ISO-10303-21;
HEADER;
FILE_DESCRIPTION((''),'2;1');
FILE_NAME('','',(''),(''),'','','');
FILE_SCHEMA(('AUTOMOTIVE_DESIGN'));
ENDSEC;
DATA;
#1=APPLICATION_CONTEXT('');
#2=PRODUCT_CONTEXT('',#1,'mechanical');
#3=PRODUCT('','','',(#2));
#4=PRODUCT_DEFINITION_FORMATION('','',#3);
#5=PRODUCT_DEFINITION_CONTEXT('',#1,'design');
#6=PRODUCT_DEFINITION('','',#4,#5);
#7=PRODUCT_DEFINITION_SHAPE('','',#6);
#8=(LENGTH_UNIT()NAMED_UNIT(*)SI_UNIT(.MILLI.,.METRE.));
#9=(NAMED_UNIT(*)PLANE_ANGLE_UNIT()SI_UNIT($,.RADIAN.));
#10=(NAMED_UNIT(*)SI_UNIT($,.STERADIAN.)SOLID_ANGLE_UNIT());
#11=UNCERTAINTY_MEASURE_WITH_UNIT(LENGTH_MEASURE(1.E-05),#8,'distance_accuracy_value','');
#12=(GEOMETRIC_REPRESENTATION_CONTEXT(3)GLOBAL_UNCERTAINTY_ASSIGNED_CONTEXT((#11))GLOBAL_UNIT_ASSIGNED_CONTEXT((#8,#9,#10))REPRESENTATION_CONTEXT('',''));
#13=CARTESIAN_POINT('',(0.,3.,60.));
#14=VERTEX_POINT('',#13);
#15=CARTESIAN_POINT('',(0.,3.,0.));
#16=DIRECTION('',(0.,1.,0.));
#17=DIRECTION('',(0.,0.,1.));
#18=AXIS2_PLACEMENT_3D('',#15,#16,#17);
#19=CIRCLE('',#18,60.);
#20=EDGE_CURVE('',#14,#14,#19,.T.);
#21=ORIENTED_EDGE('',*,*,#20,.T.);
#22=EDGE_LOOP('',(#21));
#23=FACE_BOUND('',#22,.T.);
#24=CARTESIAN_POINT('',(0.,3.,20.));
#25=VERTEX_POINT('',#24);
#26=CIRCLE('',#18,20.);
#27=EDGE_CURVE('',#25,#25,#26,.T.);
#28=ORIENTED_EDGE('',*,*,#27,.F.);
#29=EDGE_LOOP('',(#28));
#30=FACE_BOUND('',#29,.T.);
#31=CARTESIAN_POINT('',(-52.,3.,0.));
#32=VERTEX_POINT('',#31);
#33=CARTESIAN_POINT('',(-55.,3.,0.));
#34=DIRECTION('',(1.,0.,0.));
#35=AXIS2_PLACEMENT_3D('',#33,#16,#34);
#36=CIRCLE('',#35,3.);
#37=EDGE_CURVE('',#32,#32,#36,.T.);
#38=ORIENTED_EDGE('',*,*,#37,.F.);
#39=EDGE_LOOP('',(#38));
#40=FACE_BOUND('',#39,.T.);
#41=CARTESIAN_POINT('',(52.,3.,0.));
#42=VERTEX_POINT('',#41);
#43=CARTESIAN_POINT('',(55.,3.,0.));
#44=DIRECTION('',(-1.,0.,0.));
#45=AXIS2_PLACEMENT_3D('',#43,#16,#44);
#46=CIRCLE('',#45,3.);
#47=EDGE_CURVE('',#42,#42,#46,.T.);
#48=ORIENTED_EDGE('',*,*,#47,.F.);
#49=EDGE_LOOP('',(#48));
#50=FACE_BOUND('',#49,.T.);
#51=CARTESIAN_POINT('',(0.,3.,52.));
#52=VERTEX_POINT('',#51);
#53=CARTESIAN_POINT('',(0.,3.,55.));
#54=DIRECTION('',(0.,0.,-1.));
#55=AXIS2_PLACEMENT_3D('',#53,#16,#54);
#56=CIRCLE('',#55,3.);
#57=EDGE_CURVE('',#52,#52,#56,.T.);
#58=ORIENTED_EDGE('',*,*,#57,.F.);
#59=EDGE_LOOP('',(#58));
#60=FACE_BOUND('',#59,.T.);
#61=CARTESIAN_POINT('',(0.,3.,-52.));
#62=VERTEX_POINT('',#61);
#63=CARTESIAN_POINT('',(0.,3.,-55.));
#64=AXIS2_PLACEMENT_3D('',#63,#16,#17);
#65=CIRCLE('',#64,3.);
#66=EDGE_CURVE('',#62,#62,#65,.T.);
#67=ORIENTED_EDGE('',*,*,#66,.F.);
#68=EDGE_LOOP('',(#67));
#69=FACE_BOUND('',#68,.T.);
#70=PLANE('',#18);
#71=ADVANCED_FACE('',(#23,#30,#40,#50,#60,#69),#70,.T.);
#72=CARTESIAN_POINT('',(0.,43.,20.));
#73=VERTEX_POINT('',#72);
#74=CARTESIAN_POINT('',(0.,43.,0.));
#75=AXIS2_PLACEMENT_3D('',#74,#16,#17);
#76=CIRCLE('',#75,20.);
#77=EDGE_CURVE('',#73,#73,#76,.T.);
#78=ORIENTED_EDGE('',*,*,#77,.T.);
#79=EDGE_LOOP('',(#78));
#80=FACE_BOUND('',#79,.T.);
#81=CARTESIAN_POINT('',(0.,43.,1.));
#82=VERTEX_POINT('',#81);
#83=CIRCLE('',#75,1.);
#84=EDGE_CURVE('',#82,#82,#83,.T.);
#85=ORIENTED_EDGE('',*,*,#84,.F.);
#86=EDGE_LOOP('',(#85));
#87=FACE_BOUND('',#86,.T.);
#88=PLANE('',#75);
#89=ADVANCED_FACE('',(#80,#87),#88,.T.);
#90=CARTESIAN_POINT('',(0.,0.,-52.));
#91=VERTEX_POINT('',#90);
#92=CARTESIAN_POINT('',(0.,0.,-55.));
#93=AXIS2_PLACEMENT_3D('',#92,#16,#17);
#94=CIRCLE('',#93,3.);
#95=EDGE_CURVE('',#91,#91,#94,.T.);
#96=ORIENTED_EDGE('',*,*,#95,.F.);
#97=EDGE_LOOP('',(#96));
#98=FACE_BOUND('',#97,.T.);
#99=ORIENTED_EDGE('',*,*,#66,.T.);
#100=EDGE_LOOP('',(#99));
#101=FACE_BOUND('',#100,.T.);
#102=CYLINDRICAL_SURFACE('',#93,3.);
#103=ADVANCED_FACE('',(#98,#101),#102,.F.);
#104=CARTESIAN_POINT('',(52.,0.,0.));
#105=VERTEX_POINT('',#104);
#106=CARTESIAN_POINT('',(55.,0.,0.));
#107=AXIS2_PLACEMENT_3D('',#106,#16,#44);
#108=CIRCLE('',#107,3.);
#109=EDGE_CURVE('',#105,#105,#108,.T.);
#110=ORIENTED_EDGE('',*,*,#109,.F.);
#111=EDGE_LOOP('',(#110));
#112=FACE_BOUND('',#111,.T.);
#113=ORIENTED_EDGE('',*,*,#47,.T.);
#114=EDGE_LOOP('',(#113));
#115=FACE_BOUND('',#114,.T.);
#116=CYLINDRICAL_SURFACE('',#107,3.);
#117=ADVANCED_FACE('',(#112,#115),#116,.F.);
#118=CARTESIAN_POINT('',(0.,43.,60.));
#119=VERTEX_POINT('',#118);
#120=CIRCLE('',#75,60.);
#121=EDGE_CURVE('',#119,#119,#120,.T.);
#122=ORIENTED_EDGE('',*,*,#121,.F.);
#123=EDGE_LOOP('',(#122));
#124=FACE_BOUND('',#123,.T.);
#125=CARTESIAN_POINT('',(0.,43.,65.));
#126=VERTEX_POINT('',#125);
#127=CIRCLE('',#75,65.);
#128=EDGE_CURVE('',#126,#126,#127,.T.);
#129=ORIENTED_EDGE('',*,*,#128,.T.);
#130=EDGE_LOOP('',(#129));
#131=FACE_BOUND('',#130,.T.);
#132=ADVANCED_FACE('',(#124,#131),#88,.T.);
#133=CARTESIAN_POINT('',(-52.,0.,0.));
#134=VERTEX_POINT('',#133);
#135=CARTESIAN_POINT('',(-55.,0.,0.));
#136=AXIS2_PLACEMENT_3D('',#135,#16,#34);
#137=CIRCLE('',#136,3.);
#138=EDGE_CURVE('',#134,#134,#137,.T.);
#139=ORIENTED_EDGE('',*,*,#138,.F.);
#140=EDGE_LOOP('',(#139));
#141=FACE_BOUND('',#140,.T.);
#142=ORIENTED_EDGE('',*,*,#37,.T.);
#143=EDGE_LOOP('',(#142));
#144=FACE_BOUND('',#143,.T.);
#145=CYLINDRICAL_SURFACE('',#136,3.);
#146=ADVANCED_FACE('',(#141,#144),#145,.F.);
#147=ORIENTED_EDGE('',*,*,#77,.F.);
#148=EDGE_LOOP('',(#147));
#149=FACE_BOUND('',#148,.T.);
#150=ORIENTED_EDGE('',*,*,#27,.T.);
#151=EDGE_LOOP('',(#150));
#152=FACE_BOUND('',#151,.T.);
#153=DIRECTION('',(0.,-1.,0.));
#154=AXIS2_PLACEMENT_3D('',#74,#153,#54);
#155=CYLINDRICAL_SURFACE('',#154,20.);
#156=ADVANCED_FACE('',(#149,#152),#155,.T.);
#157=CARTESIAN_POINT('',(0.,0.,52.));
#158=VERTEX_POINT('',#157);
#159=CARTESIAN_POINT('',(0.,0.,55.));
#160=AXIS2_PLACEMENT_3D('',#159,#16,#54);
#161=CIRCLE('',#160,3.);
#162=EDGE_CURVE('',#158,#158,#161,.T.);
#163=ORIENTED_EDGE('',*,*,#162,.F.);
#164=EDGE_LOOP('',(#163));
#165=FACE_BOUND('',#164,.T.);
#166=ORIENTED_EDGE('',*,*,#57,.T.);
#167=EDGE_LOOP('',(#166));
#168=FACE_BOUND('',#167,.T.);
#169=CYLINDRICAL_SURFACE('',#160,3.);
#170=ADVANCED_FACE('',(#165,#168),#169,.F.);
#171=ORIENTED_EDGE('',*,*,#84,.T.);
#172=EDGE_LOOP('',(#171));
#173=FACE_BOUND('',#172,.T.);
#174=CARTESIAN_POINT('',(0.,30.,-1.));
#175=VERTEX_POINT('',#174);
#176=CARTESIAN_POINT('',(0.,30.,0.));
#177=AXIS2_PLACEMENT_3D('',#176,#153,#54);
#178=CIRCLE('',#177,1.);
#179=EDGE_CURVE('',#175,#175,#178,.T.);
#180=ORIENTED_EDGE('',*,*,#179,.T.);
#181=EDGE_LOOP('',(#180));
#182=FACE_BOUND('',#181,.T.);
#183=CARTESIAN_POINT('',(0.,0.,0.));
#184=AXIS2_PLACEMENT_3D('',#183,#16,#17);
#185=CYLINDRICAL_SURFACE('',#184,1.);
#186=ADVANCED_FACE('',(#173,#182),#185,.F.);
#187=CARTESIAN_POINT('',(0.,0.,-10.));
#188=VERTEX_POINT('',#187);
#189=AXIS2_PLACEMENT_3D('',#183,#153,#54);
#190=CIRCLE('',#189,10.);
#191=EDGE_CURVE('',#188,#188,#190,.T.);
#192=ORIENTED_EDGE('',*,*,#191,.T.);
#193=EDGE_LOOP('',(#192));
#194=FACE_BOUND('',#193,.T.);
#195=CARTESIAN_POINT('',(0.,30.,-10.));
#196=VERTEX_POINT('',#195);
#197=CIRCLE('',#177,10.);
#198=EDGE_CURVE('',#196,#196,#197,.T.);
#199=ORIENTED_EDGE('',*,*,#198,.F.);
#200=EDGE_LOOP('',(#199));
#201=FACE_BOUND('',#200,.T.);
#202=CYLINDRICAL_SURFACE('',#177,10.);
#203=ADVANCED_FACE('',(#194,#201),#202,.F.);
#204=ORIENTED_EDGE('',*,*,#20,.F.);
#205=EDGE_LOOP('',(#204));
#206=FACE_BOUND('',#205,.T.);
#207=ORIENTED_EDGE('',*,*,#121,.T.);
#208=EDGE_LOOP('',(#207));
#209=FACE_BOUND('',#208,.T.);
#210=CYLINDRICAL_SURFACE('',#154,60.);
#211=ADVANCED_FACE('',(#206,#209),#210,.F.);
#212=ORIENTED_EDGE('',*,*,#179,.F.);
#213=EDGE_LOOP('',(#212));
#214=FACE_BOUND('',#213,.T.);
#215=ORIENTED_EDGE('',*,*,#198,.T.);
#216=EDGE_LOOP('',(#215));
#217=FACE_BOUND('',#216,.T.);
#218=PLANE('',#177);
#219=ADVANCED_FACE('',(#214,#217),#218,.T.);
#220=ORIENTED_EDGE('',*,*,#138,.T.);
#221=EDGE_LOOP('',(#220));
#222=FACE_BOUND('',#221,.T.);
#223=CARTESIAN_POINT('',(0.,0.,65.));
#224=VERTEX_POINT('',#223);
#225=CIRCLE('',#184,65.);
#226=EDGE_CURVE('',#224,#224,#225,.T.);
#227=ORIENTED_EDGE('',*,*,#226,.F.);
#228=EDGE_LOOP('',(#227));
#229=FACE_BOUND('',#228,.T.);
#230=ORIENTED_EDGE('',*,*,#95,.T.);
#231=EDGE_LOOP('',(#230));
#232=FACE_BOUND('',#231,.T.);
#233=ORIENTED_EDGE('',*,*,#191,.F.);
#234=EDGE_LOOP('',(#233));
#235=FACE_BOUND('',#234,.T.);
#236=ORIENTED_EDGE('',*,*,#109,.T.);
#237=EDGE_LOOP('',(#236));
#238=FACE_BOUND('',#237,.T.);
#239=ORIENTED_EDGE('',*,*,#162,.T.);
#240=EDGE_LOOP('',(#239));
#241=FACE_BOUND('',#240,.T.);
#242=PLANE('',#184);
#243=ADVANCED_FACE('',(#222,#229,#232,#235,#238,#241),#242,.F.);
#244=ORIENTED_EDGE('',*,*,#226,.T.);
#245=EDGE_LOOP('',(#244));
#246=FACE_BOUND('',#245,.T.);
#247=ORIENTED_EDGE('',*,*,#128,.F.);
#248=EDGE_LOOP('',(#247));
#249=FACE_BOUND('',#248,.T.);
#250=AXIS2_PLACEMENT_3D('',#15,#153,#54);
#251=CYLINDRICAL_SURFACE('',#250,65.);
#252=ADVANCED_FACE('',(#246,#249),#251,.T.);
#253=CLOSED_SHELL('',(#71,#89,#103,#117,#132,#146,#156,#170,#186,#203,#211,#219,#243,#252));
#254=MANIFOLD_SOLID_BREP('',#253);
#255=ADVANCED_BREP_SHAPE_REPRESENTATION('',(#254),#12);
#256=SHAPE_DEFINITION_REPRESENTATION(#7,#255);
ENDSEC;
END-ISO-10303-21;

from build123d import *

# Parameters (mm, degrees)
SKETCH1_R           = 65
BOSS_EXTRUDE1_DEPTH = 3
SKETCH2_R           = 3
CUT_EXTRUDE1_DEPTH  = 4
CIRPATTERN1_COUNT   = 4
SKETCH3_R           = 65
SKETCH3_R_2         = 60
BOSS_EXTRUDE2_DEPTH = 40
SKETCH4_R           = 20
BOSS_EXTRUDE3_DEPTH = 40
SKETCH5_R           = 10
CUT_EXTRUDE2_DEPTH  = 30
SKETCH6_R           = 1
CUT_EXTRUDE3_DEPTH  = 44


with BuildPart() as part:
    # Sketch1 → Boss-Extrude1 (new body)
    with BuildSketch(Plane(origin=(0, 0, 0), x_dir=(1, 0, 0), z_dir=(0, 1, 0))):
        Circle(SKETCH1_R)
    extrude(amount=BOSS_EXTRUDE1_DEPTH)

    # Sketch2 → Cut-Extrude1 (cut, through all)
    with BuildSketch(Plane(origin=(0, 3, 0), x_dir=(1, 0, 0), z_dir=(0, 1, 0))):
        with Locations((0, 55)):
            Circle(SKETCH2_R)
    cut_extrude1 = extrude(amount=-CUT_EXTRUDE1_DEPTH, mode=Mode.SUBTRACT)

    # CirPattern1: Cut-Extrude1 ×4 about axis
    cirpattern1_axis = Axis((0, 0, 0), (0, 1, 0))
    for i in range(1, CIRPATTERN1_COUNT):
        add(cut_extrude1.rotate(cirpattern1_axis, i * 360 / CIRPATTERN1_COUNT), mode=Mode.SUBTRACT)

    # Sketch3 → Boss-Extrude2 (add)
    with BuildSketch(Plane(origin=(0, 3, 0), x_dir=(1, 0, 0), z_dir=(0, 1, 0))):
        Circle(SKETCH3_R)
        Circle(SKETCH3_R_2, mode=Mode.SUBTRACT)
    extrude(amount=BOSS_EXTRUDE2_DEPTH)

    # Sketch4 → Boss-Extrude3 (add)
    with BuildSketch(Plane(origin=(0, 3, 0), x_dir=(1, 0, 0), z_dir=(0, 1, 0))):
        Circle(SKETCH4_R)
    extrude(amount=BOSS_EXTRUDE3_DEPTH)

    # Sketch5 → Cut-Extrude2 (cut)
    with BuildSketch(Plane.XZ):
        Circle(SKETCH5_R)
    extrude(amount=-CUT_EXTRUDE2_DEPTH, mode=Mode.SUBTRACT)

    # Sketch6 → Cut-Extrude3 (cut, through all)
    with BuildSketch(Plane(origin=(0, 43, 0), x_dir=(1, 0, 0), z_dir=(0, 1, 0))):
        Circle(SKETCH6_R)
    extrude(amount=-CUT_EXTRUDE3_DEPTH, mode=Mode.SUBTRACT)


solid = part.part
